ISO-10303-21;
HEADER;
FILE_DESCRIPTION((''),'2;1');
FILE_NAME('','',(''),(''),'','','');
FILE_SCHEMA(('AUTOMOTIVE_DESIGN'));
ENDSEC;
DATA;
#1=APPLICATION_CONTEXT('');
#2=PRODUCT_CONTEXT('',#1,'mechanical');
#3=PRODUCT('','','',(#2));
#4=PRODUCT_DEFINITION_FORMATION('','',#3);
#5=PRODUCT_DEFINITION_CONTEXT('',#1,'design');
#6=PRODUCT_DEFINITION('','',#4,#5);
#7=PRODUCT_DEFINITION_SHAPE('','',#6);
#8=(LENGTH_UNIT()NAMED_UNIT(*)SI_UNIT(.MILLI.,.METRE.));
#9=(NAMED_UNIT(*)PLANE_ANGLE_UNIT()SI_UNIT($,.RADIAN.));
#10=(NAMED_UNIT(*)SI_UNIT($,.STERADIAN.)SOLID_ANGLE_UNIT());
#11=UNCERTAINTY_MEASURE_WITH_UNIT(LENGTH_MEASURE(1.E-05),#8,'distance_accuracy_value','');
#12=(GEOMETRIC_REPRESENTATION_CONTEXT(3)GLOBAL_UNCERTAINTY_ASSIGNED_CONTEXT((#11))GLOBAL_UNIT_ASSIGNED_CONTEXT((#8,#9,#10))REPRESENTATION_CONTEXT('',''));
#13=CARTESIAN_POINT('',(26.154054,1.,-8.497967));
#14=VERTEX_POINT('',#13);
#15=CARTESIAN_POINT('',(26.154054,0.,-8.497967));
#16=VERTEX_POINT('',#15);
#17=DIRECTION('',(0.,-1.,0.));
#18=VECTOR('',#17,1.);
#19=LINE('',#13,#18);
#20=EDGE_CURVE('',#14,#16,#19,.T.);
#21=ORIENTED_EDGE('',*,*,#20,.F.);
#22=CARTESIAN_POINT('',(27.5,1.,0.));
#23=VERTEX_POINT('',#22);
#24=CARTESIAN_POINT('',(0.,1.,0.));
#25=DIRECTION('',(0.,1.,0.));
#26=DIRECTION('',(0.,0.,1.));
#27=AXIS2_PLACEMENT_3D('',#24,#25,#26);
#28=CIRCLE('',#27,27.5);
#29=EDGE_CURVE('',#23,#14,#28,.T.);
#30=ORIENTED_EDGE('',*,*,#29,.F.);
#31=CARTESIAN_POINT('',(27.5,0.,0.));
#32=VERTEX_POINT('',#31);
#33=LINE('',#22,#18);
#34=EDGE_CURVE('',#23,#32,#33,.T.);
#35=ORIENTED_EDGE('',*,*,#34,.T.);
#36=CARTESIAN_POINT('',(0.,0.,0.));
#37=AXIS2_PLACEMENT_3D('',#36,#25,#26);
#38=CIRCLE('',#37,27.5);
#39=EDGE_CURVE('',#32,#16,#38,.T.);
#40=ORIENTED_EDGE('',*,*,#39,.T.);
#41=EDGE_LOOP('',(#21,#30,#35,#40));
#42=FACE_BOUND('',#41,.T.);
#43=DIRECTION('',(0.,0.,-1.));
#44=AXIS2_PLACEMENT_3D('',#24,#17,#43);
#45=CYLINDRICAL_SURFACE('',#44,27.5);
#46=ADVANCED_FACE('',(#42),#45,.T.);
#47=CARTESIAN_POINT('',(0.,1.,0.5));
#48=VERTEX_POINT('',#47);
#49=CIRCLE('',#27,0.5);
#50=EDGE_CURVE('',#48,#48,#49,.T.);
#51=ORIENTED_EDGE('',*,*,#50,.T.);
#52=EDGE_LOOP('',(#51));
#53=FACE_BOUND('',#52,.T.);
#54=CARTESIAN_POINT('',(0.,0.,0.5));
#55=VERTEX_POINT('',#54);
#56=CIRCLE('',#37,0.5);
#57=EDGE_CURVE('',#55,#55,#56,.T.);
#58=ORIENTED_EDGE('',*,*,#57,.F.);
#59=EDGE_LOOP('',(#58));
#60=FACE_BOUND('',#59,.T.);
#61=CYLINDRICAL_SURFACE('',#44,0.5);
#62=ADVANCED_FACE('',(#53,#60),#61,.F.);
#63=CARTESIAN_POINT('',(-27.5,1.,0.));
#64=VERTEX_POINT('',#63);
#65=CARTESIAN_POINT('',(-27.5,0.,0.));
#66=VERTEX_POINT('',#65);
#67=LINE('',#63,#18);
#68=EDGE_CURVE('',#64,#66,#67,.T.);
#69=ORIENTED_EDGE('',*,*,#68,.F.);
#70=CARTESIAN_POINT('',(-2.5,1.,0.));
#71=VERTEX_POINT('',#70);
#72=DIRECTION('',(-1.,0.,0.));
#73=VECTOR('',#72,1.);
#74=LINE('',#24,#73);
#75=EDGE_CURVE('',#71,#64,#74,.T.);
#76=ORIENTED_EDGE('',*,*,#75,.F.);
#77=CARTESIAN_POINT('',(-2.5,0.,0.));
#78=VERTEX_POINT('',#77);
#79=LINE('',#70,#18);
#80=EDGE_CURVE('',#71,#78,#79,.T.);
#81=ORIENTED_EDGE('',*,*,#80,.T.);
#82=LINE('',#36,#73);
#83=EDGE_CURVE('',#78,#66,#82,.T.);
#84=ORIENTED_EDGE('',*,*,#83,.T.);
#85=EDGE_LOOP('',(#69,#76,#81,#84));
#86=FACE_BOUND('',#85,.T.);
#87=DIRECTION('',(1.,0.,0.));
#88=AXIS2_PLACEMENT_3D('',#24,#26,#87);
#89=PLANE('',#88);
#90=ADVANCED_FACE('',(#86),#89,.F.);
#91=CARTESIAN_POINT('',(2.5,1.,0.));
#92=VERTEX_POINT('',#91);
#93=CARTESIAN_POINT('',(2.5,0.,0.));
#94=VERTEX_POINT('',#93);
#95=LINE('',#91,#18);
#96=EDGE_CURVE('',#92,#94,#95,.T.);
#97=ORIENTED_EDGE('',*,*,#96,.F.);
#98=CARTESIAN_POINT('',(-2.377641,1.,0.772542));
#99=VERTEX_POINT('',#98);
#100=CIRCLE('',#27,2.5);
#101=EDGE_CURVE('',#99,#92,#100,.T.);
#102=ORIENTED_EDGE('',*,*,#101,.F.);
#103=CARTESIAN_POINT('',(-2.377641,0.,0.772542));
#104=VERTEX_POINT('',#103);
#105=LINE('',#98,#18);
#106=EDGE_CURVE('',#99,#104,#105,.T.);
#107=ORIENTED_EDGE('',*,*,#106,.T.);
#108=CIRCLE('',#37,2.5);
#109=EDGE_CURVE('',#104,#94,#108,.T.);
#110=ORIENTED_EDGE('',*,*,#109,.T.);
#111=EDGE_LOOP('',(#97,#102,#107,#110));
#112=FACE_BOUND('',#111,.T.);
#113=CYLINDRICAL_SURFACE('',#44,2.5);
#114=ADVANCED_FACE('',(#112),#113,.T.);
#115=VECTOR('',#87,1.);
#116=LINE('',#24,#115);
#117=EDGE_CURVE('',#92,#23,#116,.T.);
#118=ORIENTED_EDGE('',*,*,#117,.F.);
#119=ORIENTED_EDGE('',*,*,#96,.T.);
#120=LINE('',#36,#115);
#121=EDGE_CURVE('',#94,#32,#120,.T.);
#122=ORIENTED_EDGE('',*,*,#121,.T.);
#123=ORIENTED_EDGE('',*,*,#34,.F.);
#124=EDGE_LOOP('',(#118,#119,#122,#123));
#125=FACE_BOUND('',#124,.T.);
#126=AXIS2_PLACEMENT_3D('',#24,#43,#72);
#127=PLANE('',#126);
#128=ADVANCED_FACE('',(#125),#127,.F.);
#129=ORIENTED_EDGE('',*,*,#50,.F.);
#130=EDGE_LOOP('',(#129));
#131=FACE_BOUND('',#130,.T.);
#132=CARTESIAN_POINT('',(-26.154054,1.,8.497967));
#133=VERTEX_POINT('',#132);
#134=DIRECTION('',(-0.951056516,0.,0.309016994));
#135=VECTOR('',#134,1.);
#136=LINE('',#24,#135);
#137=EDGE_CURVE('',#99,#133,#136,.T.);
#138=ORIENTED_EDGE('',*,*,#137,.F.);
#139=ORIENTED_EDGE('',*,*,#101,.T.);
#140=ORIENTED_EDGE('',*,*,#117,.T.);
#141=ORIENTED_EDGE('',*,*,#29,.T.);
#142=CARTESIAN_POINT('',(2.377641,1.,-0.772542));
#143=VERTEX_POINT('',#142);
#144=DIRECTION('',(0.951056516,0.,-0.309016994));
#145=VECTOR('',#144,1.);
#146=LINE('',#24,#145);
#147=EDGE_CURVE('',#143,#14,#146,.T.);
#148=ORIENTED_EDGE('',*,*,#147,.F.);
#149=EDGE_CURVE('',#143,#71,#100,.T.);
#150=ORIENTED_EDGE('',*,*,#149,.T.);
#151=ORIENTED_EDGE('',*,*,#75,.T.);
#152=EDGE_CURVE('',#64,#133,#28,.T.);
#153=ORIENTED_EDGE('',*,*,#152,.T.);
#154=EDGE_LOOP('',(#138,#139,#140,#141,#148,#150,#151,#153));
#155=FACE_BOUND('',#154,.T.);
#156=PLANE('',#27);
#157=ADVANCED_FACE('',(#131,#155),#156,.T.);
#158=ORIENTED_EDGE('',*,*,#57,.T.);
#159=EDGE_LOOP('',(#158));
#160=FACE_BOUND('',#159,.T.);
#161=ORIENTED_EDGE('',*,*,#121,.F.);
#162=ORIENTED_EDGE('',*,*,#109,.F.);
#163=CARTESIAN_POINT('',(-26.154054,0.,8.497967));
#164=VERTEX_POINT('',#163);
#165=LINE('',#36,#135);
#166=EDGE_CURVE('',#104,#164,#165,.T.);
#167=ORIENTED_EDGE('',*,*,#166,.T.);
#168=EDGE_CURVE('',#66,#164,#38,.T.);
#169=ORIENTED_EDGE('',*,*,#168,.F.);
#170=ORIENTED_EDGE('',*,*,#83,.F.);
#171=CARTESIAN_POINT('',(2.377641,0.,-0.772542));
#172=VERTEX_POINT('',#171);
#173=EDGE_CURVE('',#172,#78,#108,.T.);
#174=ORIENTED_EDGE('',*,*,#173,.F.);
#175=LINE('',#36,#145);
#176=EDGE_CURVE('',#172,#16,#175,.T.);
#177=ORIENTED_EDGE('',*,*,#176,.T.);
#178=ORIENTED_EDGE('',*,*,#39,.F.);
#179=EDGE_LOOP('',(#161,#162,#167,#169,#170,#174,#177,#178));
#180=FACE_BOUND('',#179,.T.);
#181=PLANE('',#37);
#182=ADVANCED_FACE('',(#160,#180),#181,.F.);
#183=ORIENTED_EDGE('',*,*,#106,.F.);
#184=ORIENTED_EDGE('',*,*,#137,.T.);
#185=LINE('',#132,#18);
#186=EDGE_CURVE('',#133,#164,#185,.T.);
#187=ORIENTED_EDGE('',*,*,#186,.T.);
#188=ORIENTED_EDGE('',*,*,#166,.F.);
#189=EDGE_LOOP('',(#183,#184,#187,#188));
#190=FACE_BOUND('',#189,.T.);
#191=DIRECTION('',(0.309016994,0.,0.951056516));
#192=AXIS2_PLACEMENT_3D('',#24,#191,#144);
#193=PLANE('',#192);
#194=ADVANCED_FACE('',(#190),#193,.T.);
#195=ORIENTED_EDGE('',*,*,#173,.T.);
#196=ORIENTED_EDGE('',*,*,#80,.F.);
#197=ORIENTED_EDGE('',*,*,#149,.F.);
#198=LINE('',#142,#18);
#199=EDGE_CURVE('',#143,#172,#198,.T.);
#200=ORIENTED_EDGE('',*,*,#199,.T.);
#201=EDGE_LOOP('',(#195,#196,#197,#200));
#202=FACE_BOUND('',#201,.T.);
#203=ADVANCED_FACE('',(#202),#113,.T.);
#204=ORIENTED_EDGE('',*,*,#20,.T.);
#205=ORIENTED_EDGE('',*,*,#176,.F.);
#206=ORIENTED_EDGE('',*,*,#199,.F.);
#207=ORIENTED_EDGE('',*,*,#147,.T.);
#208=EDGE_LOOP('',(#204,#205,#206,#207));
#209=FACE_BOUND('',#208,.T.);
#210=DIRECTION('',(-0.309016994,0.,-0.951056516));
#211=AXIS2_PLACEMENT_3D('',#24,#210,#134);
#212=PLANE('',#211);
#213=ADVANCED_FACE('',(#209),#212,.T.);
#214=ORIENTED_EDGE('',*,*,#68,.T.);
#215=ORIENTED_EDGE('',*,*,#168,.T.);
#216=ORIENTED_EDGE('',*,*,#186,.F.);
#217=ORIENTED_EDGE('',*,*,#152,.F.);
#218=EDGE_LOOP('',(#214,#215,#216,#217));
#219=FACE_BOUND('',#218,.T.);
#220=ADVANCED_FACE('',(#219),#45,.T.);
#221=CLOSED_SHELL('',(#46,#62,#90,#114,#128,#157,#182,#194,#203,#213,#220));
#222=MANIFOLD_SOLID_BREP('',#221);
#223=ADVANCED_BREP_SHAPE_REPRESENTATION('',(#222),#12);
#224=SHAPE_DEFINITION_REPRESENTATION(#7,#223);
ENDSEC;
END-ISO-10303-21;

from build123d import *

# Parameters (mm, degrees)
SKETCH_1_R      = 2.5
SKETCH_1_R_2    = 0.5
EXTRUDE_1_DEPTH = 1


with BuildPart() as part:
    # 草图1 → 凸台-拉伸1 (new body)
    # profile 1 of 3: a face of its own
    with BuildSketch(Plane(origin=(0, 0, 0), x_dir=(1, 0, 0), z_dir=(0, 1, 0))):
        with BuildLine():
            Line((-26.154054198, -8.497967345), (-2.377641291, -0.772542486))
            ThreePointArc((-2.377641291, -0.772542486), (-2.469220851, -0.391086163), (-2.5, 0))
            Line((-2.5, 0), (-27.5, 0))
            ThreePointArc((-27.5, 0), (-27.161429366, -4.301947789), (-26.154054198, -8.497967345))
        make_face()
    # profile 2 of 3: a face of its own
    with BuildSketch(Plane(origin=(0, 0, 0), x_dir=(1, 0, 0), z_dir=(0, 1, 0))):
        with BuildLine():
            ThreePointArc((2.377641291, 0.772542486), (2.469220851, 0.391086163), (2.5, 0))
            Line((2.5, 0), (27.5, 0))
            ThreePointArc((27.5, 0), (27.161429366, 4.301947789), (26.154054198, 8.497967345))
            Line((26.154054198, 8.497967345), (2.377641291, 0.772542486))
        make_face()
    # profile 3 of 3: a face of its own
    with BuildSketch(Plane(origin=(0, 0, 0), x_dir=(1, 0, 0), z_dir=(0, 1, 0))):
        Circle(SKETCH_1_R)
        with Locations(Location((0, 0, 0), (0, 0, 270))):
            Circle(SKETCH_1_R_2, mode=Mode.SUBTRACT)
    extrude(amount=EXTRUDE_1_DEPTH)


solid = part.part
